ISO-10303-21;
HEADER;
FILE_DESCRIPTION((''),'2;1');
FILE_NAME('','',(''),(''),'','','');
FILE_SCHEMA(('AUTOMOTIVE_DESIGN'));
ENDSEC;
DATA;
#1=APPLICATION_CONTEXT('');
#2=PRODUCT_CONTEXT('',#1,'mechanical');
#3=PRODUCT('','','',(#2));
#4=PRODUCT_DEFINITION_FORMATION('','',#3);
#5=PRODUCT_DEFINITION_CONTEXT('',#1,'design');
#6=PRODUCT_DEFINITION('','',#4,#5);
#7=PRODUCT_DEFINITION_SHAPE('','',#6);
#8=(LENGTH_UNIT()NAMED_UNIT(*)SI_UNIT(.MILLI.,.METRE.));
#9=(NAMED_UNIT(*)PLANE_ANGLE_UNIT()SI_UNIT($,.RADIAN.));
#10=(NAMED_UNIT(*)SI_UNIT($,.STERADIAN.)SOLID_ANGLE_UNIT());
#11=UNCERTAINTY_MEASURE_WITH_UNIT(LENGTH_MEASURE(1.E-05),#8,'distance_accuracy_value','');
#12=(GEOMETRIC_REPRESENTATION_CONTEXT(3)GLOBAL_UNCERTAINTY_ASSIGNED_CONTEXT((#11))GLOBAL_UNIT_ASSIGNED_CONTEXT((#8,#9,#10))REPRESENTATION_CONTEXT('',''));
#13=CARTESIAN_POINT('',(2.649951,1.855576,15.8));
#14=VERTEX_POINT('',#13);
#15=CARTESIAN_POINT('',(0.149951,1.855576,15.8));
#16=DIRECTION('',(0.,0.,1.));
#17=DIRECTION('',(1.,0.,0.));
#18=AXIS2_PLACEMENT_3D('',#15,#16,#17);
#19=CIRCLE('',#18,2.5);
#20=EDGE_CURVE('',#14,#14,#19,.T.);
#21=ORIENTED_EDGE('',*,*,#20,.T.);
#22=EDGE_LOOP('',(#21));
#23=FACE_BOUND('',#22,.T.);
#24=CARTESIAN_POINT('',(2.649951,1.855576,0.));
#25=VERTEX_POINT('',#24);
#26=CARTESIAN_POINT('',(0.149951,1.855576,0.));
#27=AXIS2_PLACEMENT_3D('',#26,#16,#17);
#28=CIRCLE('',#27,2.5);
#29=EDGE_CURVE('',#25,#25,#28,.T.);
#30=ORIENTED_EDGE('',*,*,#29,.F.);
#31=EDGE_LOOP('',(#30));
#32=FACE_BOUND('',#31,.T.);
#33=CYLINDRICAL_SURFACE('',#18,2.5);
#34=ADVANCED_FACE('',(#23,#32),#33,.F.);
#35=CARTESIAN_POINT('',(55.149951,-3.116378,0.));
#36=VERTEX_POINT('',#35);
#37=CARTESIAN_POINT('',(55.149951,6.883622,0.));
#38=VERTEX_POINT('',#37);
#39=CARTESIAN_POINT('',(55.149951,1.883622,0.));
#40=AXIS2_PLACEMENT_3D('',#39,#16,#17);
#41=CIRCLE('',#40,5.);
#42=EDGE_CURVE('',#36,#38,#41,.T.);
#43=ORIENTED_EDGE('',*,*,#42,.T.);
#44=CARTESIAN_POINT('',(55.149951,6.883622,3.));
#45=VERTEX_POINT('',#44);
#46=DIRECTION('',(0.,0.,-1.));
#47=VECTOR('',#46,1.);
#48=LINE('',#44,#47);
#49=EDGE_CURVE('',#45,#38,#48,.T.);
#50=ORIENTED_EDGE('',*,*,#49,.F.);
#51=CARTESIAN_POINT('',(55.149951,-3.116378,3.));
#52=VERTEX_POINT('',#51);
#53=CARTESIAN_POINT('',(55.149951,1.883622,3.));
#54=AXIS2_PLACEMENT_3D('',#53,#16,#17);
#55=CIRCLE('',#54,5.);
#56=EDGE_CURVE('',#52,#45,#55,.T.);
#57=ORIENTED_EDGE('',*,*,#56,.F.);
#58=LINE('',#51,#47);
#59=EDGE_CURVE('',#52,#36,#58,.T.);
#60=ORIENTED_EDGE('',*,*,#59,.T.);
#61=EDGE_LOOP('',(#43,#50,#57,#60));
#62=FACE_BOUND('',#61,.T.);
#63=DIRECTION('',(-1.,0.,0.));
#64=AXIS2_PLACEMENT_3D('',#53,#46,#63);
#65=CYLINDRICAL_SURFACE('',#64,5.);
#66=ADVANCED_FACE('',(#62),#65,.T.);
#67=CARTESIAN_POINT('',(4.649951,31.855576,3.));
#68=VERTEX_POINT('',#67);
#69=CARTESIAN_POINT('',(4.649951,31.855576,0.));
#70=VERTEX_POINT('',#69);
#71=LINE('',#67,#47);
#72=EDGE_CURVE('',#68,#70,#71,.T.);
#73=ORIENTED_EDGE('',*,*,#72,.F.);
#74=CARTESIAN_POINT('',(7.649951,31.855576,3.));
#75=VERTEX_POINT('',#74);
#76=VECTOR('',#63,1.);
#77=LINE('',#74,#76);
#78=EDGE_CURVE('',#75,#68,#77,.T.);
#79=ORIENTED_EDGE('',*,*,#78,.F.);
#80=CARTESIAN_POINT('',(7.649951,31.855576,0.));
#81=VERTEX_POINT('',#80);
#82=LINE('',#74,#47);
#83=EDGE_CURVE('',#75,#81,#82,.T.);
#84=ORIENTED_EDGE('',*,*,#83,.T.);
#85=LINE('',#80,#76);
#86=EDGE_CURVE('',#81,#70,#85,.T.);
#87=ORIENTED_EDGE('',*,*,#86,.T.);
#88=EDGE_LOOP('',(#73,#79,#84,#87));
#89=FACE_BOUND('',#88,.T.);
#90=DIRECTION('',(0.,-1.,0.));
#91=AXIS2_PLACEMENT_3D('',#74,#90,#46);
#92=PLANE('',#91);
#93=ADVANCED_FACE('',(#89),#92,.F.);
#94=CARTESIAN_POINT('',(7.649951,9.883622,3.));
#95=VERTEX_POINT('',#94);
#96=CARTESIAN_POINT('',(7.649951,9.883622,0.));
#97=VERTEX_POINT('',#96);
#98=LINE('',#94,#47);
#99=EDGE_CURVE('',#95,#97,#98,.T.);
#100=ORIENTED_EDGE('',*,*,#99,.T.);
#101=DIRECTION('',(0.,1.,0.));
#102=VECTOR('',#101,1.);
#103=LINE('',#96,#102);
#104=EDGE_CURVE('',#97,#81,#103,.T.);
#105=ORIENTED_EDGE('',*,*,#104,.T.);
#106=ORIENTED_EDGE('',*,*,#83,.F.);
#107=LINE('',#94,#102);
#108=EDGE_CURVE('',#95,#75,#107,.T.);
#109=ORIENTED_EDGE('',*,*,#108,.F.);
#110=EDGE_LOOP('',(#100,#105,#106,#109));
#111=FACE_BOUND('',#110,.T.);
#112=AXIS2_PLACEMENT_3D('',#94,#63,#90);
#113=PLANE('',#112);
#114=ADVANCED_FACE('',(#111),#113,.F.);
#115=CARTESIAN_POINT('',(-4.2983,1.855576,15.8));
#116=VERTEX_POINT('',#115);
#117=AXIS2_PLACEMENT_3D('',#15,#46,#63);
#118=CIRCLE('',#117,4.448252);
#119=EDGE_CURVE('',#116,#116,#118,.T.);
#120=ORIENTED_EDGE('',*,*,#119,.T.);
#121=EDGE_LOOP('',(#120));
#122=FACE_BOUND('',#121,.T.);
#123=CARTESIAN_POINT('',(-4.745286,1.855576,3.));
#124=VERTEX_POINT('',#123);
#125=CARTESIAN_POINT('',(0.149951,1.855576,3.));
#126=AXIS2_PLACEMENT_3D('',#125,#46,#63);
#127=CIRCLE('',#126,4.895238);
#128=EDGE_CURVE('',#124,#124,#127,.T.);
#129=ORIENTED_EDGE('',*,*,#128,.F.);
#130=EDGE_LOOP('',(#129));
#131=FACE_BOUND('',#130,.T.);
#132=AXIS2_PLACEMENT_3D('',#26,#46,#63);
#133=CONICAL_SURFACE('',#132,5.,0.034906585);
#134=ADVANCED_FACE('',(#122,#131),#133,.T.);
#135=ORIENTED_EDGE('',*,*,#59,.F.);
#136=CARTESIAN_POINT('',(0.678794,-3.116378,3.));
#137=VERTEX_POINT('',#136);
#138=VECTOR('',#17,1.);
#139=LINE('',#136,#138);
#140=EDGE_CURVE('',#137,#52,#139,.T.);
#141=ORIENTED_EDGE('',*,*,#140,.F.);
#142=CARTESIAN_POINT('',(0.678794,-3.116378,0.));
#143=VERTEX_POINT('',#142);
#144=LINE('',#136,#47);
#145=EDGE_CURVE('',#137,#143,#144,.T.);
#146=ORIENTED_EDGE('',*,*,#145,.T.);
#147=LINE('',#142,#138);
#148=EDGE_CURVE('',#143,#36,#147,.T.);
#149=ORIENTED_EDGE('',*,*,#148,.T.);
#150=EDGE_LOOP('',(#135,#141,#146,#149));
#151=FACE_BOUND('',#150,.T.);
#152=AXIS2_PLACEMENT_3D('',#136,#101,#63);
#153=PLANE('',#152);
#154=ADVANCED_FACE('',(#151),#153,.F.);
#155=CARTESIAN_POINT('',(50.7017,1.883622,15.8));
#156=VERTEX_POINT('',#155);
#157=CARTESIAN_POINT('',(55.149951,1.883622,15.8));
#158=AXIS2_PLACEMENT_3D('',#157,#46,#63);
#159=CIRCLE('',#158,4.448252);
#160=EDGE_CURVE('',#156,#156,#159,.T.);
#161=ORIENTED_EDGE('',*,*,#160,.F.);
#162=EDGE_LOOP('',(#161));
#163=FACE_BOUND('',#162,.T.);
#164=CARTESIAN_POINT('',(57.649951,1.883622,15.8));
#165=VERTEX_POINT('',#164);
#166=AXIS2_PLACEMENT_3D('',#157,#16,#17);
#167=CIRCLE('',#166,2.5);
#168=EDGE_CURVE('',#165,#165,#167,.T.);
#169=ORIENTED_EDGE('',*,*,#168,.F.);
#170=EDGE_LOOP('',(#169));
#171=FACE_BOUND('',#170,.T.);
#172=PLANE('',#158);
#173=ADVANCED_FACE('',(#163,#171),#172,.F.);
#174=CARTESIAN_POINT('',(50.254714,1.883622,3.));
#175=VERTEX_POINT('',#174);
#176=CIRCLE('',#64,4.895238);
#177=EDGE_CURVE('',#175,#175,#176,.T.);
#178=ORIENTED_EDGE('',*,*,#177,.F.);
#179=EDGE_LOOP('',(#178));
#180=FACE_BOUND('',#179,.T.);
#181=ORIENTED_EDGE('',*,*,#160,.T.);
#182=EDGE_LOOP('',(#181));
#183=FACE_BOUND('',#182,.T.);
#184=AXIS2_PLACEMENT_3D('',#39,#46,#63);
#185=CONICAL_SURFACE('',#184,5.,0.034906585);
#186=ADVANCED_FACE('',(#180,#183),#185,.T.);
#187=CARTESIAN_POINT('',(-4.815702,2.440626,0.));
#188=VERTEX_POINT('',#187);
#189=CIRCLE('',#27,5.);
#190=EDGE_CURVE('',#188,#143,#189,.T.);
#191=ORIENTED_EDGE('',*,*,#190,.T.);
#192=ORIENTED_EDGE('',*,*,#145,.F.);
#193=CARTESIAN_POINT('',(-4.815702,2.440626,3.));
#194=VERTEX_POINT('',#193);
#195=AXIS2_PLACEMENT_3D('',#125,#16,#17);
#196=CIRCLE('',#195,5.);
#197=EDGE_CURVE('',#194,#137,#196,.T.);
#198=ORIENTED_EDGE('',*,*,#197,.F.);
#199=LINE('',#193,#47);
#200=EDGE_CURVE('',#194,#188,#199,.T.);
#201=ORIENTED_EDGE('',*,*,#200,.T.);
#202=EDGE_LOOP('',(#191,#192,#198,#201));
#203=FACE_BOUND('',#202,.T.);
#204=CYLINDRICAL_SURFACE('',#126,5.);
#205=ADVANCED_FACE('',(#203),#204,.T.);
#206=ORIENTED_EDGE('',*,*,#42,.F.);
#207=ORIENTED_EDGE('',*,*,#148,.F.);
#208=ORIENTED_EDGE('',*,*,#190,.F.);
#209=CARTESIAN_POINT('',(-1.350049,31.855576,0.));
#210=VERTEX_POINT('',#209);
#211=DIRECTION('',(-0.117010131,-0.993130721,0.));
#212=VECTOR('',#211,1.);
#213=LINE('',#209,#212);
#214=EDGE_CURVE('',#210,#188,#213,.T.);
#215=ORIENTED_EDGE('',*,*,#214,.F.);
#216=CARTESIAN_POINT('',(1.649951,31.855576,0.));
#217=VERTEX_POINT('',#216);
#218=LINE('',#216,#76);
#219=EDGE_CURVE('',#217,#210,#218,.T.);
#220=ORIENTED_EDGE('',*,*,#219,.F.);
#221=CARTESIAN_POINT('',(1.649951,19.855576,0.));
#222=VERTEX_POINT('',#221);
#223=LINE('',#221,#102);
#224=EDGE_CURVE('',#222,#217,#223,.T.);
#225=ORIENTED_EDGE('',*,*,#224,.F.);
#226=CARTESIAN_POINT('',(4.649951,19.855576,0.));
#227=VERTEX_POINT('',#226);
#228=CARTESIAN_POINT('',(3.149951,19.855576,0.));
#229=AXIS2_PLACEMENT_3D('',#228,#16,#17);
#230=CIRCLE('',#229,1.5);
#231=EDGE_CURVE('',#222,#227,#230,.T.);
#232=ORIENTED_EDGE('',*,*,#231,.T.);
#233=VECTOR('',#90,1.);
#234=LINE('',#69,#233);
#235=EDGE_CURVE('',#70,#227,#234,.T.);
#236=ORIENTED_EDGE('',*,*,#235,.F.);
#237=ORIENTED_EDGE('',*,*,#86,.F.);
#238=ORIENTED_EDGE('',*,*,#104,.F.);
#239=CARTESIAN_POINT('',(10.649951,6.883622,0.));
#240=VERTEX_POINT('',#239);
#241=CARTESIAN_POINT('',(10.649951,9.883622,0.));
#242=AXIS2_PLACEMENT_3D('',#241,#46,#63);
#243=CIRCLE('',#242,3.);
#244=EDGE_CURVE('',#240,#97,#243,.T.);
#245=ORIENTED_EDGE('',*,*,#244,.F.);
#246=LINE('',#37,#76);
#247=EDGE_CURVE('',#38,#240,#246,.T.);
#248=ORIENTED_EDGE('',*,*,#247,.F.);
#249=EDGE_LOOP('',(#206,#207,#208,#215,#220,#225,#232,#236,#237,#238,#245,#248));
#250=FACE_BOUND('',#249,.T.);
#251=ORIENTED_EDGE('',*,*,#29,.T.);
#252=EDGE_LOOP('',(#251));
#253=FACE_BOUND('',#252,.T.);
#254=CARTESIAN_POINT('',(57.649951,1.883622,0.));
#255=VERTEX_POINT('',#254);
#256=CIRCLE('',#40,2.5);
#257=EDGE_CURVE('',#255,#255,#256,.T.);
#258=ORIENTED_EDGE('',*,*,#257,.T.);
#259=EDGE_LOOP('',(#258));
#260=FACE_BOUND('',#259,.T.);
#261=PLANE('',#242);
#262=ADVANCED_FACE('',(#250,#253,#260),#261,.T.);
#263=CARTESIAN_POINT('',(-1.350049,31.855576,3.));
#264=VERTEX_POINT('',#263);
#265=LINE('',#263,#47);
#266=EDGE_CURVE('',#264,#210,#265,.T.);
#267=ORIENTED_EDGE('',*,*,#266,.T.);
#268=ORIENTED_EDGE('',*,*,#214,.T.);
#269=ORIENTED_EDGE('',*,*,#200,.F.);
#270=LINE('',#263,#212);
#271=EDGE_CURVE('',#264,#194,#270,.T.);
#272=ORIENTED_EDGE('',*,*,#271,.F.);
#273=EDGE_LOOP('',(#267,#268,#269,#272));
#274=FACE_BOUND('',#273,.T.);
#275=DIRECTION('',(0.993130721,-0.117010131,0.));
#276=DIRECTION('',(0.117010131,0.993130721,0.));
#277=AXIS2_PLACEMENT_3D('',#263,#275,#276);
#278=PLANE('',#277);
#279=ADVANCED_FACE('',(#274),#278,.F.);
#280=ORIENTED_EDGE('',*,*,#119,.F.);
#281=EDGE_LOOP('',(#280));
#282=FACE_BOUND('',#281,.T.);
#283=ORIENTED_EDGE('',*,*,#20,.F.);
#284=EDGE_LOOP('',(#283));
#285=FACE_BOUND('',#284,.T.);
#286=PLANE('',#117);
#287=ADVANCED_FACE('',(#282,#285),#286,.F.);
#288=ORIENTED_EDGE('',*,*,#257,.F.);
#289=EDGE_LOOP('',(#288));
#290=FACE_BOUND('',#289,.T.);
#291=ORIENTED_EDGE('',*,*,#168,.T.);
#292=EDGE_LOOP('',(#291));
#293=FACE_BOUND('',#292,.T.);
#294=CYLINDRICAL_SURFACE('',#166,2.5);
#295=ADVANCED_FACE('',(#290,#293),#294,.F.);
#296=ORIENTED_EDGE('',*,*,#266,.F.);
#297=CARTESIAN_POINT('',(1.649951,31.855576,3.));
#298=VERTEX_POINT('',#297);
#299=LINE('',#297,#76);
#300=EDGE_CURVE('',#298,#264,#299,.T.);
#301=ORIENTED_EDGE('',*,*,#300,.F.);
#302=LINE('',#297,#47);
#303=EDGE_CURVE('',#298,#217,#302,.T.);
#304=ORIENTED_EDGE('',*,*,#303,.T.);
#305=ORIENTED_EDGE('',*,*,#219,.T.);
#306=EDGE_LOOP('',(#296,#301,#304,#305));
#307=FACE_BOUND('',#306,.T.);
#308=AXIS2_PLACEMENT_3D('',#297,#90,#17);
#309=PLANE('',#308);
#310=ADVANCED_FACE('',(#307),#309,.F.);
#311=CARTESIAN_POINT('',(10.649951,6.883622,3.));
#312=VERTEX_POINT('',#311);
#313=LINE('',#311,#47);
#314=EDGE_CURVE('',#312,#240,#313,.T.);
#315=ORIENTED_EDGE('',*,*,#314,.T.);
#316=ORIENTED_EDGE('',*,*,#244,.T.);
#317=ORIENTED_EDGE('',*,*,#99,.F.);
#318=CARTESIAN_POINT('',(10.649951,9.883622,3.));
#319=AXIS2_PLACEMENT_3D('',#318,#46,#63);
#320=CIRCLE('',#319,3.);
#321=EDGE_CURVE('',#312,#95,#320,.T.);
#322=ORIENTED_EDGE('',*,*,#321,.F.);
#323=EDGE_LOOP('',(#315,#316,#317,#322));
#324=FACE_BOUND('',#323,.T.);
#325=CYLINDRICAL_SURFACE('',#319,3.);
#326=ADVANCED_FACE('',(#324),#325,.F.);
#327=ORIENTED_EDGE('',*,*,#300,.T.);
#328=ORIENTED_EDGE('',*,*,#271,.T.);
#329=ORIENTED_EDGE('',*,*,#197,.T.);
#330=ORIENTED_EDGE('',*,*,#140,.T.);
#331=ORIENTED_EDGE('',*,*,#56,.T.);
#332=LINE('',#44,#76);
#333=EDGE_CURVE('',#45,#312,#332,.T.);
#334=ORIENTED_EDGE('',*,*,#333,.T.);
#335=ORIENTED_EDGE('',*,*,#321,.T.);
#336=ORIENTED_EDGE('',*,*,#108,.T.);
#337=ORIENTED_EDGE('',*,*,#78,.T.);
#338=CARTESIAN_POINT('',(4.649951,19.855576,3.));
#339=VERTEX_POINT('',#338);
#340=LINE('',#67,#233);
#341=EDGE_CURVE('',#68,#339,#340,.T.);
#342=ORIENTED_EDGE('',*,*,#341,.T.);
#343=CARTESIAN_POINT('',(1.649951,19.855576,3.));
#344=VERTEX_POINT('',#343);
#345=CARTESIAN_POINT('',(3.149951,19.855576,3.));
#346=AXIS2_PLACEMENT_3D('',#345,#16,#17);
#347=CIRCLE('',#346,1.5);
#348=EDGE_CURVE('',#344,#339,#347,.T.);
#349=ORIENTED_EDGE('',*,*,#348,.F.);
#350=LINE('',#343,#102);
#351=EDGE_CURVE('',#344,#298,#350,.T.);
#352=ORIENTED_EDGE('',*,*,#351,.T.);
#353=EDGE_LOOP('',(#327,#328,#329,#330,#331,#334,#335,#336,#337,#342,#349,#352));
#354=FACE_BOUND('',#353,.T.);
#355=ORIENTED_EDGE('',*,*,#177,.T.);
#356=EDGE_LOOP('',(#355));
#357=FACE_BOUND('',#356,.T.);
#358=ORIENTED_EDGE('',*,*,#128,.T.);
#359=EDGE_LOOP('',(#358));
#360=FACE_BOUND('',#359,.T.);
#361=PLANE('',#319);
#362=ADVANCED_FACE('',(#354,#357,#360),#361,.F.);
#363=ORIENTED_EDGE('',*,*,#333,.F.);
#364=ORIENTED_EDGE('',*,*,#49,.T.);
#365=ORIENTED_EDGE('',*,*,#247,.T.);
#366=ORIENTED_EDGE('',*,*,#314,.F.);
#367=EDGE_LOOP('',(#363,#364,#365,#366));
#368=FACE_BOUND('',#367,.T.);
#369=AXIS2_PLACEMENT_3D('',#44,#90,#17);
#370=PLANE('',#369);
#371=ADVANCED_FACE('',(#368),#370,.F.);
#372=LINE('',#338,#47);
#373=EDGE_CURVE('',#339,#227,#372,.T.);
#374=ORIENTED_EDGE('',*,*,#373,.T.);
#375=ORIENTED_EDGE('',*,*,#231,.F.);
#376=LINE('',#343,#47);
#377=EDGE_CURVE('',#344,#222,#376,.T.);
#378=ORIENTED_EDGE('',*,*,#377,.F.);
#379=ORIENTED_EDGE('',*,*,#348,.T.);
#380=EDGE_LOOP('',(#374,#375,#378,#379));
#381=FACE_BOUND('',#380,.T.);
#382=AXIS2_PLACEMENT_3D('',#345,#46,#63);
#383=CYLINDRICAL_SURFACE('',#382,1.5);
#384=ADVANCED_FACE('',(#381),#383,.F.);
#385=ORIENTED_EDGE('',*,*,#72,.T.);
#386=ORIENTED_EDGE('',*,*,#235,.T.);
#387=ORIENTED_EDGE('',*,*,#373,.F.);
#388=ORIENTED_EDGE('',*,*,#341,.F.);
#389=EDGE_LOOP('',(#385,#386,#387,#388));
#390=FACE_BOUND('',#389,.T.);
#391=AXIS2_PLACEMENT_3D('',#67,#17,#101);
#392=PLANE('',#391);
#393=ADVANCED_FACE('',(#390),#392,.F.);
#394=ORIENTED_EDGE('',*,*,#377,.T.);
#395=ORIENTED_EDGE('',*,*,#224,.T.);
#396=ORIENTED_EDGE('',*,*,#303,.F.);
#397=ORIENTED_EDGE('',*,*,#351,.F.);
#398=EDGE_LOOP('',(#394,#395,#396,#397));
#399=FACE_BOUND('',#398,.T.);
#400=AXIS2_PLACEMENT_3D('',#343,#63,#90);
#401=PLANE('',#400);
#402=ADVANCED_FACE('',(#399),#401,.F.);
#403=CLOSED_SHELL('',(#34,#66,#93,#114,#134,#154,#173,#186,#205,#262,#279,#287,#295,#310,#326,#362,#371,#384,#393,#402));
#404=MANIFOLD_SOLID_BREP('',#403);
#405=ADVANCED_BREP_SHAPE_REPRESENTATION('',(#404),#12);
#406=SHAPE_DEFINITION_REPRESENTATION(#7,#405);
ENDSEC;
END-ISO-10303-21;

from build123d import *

# Parameters (mm, degrees)
BASE_EXTRUSION_DEPTH         = 3
ESQUISSE3_R                  = 4.999999999999999
BOSS_EXTRU_1_DEPTH           = 15.8
BOSS_EXTRU_1_DRAFT           = -2.0000000000000044
ESQUISSE3_R_2                = 4.9999999999999964
BOSS_EXTRU_1_PROFILE_2_DEPTH = 15.8
BOSS_EXTRU_1_PROFILE_2_DRAFT = -2.0000000000000044
PER_AGE1_D                   = 5
PER_AGE1_DEPTH               = 15.8
PER_AGE1_TIP                 = 1.5021515475689007
PER_AGE3_D                   = 5
PER_AGE3_DEPTH               = 15.8
PER_AGE3_TIP                 = 1.5021515475689007


with BuildPart() as part:
    # Esquisse1 → Base-Extrusion (new body)
    with BuildSketch(Plane.XY):
        with BuildLine():
            Line((0.6787939241914508, -3.1163780736354636), (55.149951438834705, -3.116378073635477))
            ThreePointArc((55.149951438834705, -3.116378073635477), (60.149951438834705, 1.883621926364523), (55.149951438834705, 6.883621926364523))
            Line((55.149951438834705, 6.883621926364523), (10.649951438834709, 6.883621926364541))
            ThreePointArc((10.649951438834709, 6.883621926364541), (8.528631095275069, 7.7623015828049), (7.649951438834709, 9.88362192636454))
            Line((7.649951438834709, 9.88362192636454), (7.649951438834716, 31.855575830583856))
            Line((7.649951438834716, 31.855575830583856), (4.649951438834716, 31.855575830583856))
            Line((4.649951438834716, 31.855575830583856), (4.649951438834713, 19.855575830583852))
            ThreePointArc((4.649951438834713, 19.855575830583852), (3.149951438834714, 18.355575830583852), (1.6499514388347154, 19.855575830583852))
            Line((1.6499514388347154, 19.855575830583852), (1.6499514388347158, 31.85557583058385))
            Line((1.6499514388347158, 31.85557583058385), (-1.350048561165284, 31.855575830583856))
            Line((-1.350048561165284, 31.855575830583856), (-4.815702167023938, 2.440626483624255))
            ThreePointArc((-4.815702167023938, 2.440626483624255), (-3.4055229517499925, -1.6599044862286791), (0.6787939241914508, -3.1163780736354636))
        make_face()
    extrude(amount=BASE_EXTRUSION_DEPTH)


with BuildPart() as boss_extru_1_tool:
    # Esquisse3 → Boss.-Extru.1 (with draft: the straight prism first)
    with BuildSketch(Plane(origin=(0, 0, 0), x_dir=(-1, 0, 0), z_dir=(0, 0, -1))):
        with Locations((-0.1499514388347119, 1.8555758305838532)):
            Circle(ESQUISSE3_R)
    extrude(amount=-BOSS_EXTRU_1_DEPTH)
    # Boss.-Extru.1: the draft: its side faces are tilted about the plane it starts from
    boss_extru_1_sides = [boss_extru_1_tool.faces().sort_by_distance(p)[0] for p in [
        (5.149951439, 1.855575831, 7.9),
    ]]
    draft(boss_extru_1_sides, Plane(origin=(0, 0, 0), x_dir=(-1, 0, 0), z_dir=(0, 0, -1)), BOSS_EXTRU_1_DRAFT)


with BuildPart() as part_1:
    add(part.part)

    # Boss.-Extru.1: add boss_extru_1_tool
    add(boss_extru_1_tool.part)


with BuildPart() as boss_extru_1_profile_2_tool:
    # Esquisse3 → Boss.-Extru.1 profile 2 (with draft: the straight prism first)
    with BuildSketch(Plane(origin=(0, 0, 0), x_dir=(-1, 0, 0), z_dir=(0, 0, -1))):
        with Locations((-55.149951438834705, 1.883621926364523)):
            Circle(ESQUISSE3_R_2)
    extrude(amount=-BOSS_EXTRU_1_PROFILE_2_DEPTH)
    # Boss.-Extru.1 profile 2: the draft: its side faces are tilted about the plane it starts from
    boss_extru_1_profile_2_sides = [boss_extru_1_profile_2_tool.faces().sort_by_distance(p)[0] for p in [
        (60.149951439, 1.883621926, 7.9),
    ]]
    draft(boss_extru_1_profile_2_sides, Plane(origin=(0, 0, 0), x_dir=(-1, 0, 0), z_dir=(0, 0, -1)), BOSS_EXTRU_1_PROFILE_2_DRAFT)


with BuildPart() as part_2:
    add(part_1.part)

    # Boss.-Extru.1 profile 2: add boss_extru_1_profile_2_tool
    add(boss_extru_1_profile_2_tool.part)

    # Perçage1
    with Locations(Plane.XY.offset(15.8)):
        with Locations((55.149951439, 1.883621926)):
            Hole(PER_AGE1_D / 2, depth=PER_AGE1_DEPTH)
            with Locations((0, 0, -(PER_AGE1_DEPTH + PER_AGE1_TIP / 2))):  # 118° drill point
                Cone(0, PER_AGE1_D / 2, PER_AGE1_TIP, mode=Mode.SUBTRACT)

    # Perçage3
    with Locations(Plane.XY.offset(15.8)):
        with Locations((0.149951439, 1.855575831)):
            Hole(PER_AGE3_D / 2, depth=PER_AGE3_DEPTH)
            with Locations((0, 0, -(PER_AGE3_DEPTH + PER_AGE3_TIP / 2))):  # 118° drill point
                Cone(0, PER_AGE3_D / 2, PER_AGE3_TIP, mode=Mode.SUBTRACT)


solid = part_2.part
